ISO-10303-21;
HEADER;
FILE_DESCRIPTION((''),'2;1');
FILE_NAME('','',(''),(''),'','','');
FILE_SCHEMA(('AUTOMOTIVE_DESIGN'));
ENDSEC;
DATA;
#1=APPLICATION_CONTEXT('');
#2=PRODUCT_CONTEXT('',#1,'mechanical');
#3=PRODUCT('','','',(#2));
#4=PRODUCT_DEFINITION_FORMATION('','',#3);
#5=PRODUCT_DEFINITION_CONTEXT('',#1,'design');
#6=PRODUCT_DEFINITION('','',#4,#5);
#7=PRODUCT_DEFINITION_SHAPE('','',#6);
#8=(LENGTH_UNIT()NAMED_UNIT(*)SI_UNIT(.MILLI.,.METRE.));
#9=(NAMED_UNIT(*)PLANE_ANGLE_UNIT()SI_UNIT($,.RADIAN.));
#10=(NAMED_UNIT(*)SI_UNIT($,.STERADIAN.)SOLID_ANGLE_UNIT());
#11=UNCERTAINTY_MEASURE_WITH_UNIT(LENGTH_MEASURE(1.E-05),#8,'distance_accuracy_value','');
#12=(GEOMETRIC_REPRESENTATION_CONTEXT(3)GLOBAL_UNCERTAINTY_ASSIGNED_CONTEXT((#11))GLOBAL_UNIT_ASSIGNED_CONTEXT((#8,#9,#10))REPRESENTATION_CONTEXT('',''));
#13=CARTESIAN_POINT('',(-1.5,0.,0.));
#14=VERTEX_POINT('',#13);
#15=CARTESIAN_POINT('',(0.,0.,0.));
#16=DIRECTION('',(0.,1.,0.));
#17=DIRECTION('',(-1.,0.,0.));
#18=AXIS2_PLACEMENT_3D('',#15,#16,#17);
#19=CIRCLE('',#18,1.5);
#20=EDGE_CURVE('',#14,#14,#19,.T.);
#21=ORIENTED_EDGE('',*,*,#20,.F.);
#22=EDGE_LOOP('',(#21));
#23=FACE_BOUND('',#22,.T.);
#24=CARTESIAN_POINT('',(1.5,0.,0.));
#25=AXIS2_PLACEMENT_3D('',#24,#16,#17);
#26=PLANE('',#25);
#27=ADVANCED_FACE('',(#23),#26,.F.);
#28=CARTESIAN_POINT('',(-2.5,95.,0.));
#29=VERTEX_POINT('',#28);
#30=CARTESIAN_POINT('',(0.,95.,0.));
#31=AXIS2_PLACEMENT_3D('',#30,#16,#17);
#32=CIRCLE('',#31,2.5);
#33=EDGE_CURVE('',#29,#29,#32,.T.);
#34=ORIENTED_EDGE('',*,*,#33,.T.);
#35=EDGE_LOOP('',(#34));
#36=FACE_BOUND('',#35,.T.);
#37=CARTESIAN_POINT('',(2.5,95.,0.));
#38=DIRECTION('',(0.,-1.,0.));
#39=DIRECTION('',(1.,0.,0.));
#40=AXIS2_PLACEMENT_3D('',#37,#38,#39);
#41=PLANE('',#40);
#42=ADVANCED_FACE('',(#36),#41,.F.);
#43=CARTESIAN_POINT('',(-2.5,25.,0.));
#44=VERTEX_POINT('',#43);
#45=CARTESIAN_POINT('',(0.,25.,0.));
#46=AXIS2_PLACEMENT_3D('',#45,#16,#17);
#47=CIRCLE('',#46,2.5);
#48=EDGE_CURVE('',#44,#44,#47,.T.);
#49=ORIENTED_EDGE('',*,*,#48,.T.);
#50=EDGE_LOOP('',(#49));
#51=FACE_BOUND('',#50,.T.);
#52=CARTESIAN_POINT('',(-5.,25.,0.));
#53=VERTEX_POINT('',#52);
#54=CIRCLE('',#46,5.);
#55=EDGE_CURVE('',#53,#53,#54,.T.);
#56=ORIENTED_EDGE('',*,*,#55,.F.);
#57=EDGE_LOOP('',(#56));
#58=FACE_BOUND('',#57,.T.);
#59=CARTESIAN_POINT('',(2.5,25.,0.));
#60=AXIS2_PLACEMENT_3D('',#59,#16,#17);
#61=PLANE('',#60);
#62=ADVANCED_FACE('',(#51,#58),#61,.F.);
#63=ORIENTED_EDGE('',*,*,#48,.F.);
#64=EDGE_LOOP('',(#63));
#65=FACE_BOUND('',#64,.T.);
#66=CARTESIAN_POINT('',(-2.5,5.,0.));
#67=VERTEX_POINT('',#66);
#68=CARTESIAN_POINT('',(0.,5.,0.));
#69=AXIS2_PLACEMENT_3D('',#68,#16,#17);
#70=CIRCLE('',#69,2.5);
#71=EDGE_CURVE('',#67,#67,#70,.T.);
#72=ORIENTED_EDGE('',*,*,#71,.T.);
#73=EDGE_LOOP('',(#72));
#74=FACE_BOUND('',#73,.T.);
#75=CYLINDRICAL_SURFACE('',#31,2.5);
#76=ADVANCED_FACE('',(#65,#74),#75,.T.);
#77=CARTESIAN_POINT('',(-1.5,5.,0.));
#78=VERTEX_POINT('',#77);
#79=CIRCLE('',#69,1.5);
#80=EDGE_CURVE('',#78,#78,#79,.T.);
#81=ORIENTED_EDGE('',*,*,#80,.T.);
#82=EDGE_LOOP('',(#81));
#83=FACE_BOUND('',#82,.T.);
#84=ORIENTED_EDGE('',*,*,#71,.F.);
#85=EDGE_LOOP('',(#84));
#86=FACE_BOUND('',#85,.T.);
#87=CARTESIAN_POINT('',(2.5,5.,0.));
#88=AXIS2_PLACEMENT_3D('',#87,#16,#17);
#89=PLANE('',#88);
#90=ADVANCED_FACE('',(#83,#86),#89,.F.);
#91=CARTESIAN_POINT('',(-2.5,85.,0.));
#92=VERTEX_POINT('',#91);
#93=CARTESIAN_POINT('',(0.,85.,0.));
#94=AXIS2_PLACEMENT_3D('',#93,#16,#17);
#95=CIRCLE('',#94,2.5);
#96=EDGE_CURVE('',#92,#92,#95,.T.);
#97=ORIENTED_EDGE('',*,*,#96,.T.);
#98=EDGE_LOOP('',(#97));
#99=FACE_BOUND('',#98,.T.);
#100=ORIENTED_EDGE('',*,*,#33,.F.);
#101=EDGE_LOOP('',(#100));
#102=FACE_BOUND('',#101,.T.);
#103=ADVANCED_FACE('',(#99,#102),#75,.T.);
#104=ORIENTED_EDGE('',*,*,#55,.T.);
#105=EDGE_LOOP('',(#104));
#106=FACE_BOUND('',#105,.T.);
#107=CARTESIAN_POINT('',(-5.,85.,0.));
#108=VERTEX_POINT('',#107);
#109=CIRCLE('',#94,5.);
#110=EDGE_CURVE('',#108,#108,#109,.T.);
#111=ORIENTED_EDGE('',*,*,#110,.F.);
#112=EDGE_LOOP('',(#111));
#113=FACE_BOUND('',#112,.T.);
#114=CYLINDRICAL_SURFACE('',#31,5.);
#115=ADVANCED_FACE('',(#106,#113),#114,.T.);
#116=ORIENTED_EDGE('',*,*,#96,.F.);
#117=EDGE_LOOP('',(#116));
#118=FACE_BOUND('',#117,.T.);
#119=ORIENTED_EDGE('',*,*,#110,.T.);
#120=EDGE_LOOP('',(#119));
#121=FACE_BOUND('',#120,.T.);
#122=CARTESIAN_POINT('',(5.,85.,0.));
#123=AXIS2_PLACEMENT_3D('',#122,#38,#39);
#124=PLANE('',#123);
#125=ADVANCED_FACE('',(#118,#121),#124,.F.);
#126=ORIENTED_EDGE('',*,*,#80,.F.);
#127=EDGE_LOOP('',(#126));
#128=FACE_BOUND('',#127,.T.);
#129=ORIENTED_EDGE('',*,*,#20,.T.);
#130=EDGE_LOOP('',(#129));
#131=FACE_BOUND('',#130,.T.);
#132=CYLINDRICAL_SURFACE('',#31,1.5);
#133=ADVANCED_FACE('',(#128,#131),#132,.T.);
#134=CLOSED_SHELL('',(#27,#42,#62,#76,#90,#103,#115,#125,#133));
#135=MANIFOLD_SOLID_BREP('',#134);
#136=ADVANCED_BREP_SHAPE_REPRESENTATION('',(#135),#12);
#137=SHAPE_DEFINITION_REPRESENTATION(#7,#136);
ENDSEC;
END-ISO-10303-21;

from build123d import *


with BuildPart() as part:
    # Esquisse1 → Révolution1 (revolve)
    with BuildSketch(Plane.XY, mode=Mode.PRIVATE) as r_volution1_sk:
        Polygon((2.5, 5), (1.5, 5), (1.5, 0), (0, 0), (0, 95), (2.5, 95), (2.5, 85), (5, 85), (5, 25), (2.5, 25), align=None)
    revolve(r_volution1_sk.sketch.rotate(Axis((0, 95, 0), (0, -1, 0)), 180), axis=Axis((0, 95, 0), (0, -1, 0)))


solid = part.part
